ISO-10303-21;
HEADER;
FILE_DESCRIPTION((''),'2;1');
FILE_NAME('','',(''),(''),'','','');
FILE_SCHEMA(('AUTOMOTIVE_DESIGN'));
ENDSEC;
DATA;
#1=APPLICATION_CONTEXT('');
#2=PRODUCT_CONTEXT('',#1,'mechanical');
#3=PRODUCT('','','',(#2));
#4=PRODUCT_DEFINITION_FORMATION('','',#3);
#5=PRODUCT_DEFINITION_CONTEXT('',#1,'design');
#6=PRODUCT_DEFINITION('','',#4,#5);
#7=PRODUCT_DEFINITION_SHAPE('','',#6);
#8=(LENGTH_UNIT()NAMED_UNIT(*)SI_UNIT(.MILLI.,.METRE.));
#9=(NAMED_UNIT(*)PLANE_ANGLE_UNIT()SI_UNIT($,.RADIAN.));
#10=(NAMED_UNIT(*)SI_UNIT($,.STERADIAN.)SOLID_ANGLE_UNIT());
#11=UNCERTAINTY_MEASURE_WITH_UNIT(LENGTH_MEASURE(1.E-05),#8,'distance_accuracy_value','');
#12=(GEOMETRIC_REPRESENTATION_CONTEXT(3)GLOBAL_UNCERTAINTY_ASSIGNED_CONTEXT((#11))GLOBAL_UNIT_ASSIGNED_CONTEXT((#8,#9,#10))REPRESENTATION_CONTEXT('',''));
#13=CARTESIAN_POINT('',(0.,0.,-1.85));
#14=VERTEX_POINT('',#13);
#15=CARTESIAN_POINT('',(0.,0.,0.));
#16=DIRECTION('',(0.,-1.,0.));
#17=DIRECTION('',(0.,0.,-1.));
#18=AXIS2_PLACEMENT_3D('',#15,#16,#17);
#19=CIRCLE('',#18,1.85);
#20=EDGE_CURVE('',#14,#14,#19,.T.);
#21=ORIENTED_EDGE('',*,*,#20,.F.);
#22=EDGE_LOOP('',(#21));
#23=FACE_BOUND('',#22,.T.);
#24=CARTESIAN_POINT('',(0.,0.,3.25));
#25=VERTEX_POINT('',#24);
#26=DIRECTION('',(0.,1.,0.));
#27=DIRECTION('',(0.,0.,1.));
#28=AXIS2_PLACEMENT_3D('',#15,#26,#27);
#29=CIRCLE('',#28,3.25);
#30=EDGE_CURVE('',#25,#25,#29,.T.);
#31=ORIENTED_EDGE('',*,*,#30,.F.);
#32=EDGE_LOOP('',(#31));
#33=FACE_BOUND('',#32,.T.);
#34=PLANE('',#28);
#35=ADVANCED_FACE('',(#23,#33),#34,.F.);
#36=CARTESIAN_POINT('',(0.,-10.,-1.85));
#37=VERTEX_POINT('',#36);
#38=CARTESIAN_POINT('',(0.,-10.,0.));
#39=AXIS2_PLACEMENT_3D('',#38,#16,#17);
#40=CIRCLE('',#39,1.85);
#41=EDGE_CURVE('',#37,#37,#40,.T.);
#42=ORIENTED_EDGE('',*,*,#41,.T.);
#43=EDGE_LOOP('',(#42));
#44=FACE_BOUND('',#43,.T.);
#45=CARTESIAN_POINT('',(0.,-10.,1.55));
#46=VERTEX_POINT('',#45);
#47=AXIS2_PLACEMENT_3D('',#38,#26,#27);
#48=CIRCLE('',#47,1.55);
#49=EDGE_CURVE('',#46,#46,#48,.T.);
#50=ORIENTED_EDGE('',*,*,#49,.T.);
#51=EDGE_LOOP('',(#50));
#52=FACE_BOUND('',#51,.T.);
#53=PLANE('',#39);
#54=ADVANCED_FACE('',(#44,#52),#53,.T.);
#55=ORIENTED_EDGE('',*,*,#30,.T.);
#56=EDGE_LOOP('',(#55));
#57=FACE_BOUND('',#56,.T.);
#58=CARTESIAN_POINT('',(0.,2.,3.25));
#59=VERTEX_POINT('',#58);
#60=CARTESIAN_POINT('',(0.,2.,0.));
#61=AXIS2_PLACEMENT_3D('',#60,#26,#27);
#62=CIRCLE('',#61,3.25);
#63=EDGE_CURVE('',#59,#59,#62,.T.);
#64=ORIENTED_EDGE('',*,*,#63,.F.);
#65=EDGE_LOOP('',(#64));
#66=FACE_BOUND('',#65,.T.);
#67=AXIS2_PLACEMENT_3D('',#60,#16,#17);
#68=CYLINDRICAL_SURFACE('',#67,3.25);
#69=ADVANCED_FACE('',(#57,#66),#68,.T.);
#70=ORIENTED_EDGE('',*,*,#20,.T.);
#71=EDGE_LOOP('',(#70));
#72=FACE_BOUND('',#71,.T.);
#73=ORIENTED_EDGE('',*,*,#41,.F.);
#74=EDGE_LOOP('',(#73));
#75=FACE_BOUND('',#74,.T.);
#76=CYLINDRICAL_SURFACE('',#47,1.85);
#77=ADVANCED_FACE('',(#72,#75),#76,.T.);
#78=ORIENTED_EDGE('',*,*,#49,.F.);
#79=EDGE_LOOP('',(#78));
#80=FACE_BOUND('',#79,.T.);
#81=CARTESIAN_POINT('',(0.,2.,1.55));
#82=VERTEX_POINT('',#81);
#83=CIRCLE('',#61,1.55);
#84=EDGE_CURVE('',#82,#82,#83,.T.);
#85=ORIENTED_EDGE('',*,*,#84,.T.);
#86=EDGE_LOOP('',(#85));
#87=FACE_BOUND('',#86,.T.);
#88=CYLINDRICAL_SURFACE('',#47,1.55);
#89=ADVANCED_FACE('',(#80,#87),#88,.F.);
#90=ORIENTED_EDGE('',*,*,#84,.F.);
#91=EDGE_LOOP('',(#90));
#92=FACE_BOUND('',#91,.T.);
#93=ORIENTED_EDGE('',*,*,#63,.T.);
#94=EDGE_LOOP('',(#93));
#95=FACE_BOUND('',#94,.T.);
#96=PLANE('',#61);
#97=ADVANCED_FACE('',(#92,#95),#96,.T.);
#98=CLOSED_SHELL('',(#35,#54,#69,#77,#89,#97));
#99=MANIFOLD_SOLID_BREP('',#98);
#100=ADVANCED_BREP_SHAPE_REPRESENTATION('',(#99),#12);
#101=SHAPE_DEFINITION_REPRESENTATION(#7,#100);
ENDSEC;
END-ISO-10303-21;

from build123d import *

# Parameters (mm, degrees)
SKETCH1_R           = 3.25
BOSS_EXTRUDE1_DEPTH = 2
SKETCH2_R           = 1.85
BOSS_EXTRUDE2_DEPTH = 10
SKETCH3_R           = 1.55
CUT_EXTRUDE1_DEPTH  = 13.850097276


with BuildPart() as part:
    # Sketch1 → Boss-Extrude1 (new body)
    with BuildSketch(Plane(origin=(0, 0, 0), x_dir=(1, 0, 0), z_dir=(0, 1, 0))):
        with Locations(Location((0, 0, 0), (0, 0, 270))):
            Circle(SKETCH1_R)
    extrude(amount=BOSS_EXTRUDE1_DEPTH)

    # Sketch2 → Boss-Extrude2 (add)
    with BuildSketch(Plane(origin=(0, 0, 0), x_dir=(-1, 0, 0), z_dir=(0, -1, 0))):
        with Locations(Location((0, 0, 0), (0, 0, 90))):
            Circle(SKETCH2_R)
    extrude(amount=BOSS_EXTRUDE2_DEPTH)

    # Sketch3 → Cut-Extrude1 (cut, through all)
    with BuildSketch(Plane(origin=(0, 2, 0), x_dir=(1, 0, 0), z_dir=(0, 1, 0))):
        with Locations(Location((0, 0, 0), (0, 0, 270))):
            Circle(SKETCH3_R)
    extrude(amount=-CUT_EXTRUDE1_DEPTH, mode=Mode.SUBTRACT)


solid = part.part
